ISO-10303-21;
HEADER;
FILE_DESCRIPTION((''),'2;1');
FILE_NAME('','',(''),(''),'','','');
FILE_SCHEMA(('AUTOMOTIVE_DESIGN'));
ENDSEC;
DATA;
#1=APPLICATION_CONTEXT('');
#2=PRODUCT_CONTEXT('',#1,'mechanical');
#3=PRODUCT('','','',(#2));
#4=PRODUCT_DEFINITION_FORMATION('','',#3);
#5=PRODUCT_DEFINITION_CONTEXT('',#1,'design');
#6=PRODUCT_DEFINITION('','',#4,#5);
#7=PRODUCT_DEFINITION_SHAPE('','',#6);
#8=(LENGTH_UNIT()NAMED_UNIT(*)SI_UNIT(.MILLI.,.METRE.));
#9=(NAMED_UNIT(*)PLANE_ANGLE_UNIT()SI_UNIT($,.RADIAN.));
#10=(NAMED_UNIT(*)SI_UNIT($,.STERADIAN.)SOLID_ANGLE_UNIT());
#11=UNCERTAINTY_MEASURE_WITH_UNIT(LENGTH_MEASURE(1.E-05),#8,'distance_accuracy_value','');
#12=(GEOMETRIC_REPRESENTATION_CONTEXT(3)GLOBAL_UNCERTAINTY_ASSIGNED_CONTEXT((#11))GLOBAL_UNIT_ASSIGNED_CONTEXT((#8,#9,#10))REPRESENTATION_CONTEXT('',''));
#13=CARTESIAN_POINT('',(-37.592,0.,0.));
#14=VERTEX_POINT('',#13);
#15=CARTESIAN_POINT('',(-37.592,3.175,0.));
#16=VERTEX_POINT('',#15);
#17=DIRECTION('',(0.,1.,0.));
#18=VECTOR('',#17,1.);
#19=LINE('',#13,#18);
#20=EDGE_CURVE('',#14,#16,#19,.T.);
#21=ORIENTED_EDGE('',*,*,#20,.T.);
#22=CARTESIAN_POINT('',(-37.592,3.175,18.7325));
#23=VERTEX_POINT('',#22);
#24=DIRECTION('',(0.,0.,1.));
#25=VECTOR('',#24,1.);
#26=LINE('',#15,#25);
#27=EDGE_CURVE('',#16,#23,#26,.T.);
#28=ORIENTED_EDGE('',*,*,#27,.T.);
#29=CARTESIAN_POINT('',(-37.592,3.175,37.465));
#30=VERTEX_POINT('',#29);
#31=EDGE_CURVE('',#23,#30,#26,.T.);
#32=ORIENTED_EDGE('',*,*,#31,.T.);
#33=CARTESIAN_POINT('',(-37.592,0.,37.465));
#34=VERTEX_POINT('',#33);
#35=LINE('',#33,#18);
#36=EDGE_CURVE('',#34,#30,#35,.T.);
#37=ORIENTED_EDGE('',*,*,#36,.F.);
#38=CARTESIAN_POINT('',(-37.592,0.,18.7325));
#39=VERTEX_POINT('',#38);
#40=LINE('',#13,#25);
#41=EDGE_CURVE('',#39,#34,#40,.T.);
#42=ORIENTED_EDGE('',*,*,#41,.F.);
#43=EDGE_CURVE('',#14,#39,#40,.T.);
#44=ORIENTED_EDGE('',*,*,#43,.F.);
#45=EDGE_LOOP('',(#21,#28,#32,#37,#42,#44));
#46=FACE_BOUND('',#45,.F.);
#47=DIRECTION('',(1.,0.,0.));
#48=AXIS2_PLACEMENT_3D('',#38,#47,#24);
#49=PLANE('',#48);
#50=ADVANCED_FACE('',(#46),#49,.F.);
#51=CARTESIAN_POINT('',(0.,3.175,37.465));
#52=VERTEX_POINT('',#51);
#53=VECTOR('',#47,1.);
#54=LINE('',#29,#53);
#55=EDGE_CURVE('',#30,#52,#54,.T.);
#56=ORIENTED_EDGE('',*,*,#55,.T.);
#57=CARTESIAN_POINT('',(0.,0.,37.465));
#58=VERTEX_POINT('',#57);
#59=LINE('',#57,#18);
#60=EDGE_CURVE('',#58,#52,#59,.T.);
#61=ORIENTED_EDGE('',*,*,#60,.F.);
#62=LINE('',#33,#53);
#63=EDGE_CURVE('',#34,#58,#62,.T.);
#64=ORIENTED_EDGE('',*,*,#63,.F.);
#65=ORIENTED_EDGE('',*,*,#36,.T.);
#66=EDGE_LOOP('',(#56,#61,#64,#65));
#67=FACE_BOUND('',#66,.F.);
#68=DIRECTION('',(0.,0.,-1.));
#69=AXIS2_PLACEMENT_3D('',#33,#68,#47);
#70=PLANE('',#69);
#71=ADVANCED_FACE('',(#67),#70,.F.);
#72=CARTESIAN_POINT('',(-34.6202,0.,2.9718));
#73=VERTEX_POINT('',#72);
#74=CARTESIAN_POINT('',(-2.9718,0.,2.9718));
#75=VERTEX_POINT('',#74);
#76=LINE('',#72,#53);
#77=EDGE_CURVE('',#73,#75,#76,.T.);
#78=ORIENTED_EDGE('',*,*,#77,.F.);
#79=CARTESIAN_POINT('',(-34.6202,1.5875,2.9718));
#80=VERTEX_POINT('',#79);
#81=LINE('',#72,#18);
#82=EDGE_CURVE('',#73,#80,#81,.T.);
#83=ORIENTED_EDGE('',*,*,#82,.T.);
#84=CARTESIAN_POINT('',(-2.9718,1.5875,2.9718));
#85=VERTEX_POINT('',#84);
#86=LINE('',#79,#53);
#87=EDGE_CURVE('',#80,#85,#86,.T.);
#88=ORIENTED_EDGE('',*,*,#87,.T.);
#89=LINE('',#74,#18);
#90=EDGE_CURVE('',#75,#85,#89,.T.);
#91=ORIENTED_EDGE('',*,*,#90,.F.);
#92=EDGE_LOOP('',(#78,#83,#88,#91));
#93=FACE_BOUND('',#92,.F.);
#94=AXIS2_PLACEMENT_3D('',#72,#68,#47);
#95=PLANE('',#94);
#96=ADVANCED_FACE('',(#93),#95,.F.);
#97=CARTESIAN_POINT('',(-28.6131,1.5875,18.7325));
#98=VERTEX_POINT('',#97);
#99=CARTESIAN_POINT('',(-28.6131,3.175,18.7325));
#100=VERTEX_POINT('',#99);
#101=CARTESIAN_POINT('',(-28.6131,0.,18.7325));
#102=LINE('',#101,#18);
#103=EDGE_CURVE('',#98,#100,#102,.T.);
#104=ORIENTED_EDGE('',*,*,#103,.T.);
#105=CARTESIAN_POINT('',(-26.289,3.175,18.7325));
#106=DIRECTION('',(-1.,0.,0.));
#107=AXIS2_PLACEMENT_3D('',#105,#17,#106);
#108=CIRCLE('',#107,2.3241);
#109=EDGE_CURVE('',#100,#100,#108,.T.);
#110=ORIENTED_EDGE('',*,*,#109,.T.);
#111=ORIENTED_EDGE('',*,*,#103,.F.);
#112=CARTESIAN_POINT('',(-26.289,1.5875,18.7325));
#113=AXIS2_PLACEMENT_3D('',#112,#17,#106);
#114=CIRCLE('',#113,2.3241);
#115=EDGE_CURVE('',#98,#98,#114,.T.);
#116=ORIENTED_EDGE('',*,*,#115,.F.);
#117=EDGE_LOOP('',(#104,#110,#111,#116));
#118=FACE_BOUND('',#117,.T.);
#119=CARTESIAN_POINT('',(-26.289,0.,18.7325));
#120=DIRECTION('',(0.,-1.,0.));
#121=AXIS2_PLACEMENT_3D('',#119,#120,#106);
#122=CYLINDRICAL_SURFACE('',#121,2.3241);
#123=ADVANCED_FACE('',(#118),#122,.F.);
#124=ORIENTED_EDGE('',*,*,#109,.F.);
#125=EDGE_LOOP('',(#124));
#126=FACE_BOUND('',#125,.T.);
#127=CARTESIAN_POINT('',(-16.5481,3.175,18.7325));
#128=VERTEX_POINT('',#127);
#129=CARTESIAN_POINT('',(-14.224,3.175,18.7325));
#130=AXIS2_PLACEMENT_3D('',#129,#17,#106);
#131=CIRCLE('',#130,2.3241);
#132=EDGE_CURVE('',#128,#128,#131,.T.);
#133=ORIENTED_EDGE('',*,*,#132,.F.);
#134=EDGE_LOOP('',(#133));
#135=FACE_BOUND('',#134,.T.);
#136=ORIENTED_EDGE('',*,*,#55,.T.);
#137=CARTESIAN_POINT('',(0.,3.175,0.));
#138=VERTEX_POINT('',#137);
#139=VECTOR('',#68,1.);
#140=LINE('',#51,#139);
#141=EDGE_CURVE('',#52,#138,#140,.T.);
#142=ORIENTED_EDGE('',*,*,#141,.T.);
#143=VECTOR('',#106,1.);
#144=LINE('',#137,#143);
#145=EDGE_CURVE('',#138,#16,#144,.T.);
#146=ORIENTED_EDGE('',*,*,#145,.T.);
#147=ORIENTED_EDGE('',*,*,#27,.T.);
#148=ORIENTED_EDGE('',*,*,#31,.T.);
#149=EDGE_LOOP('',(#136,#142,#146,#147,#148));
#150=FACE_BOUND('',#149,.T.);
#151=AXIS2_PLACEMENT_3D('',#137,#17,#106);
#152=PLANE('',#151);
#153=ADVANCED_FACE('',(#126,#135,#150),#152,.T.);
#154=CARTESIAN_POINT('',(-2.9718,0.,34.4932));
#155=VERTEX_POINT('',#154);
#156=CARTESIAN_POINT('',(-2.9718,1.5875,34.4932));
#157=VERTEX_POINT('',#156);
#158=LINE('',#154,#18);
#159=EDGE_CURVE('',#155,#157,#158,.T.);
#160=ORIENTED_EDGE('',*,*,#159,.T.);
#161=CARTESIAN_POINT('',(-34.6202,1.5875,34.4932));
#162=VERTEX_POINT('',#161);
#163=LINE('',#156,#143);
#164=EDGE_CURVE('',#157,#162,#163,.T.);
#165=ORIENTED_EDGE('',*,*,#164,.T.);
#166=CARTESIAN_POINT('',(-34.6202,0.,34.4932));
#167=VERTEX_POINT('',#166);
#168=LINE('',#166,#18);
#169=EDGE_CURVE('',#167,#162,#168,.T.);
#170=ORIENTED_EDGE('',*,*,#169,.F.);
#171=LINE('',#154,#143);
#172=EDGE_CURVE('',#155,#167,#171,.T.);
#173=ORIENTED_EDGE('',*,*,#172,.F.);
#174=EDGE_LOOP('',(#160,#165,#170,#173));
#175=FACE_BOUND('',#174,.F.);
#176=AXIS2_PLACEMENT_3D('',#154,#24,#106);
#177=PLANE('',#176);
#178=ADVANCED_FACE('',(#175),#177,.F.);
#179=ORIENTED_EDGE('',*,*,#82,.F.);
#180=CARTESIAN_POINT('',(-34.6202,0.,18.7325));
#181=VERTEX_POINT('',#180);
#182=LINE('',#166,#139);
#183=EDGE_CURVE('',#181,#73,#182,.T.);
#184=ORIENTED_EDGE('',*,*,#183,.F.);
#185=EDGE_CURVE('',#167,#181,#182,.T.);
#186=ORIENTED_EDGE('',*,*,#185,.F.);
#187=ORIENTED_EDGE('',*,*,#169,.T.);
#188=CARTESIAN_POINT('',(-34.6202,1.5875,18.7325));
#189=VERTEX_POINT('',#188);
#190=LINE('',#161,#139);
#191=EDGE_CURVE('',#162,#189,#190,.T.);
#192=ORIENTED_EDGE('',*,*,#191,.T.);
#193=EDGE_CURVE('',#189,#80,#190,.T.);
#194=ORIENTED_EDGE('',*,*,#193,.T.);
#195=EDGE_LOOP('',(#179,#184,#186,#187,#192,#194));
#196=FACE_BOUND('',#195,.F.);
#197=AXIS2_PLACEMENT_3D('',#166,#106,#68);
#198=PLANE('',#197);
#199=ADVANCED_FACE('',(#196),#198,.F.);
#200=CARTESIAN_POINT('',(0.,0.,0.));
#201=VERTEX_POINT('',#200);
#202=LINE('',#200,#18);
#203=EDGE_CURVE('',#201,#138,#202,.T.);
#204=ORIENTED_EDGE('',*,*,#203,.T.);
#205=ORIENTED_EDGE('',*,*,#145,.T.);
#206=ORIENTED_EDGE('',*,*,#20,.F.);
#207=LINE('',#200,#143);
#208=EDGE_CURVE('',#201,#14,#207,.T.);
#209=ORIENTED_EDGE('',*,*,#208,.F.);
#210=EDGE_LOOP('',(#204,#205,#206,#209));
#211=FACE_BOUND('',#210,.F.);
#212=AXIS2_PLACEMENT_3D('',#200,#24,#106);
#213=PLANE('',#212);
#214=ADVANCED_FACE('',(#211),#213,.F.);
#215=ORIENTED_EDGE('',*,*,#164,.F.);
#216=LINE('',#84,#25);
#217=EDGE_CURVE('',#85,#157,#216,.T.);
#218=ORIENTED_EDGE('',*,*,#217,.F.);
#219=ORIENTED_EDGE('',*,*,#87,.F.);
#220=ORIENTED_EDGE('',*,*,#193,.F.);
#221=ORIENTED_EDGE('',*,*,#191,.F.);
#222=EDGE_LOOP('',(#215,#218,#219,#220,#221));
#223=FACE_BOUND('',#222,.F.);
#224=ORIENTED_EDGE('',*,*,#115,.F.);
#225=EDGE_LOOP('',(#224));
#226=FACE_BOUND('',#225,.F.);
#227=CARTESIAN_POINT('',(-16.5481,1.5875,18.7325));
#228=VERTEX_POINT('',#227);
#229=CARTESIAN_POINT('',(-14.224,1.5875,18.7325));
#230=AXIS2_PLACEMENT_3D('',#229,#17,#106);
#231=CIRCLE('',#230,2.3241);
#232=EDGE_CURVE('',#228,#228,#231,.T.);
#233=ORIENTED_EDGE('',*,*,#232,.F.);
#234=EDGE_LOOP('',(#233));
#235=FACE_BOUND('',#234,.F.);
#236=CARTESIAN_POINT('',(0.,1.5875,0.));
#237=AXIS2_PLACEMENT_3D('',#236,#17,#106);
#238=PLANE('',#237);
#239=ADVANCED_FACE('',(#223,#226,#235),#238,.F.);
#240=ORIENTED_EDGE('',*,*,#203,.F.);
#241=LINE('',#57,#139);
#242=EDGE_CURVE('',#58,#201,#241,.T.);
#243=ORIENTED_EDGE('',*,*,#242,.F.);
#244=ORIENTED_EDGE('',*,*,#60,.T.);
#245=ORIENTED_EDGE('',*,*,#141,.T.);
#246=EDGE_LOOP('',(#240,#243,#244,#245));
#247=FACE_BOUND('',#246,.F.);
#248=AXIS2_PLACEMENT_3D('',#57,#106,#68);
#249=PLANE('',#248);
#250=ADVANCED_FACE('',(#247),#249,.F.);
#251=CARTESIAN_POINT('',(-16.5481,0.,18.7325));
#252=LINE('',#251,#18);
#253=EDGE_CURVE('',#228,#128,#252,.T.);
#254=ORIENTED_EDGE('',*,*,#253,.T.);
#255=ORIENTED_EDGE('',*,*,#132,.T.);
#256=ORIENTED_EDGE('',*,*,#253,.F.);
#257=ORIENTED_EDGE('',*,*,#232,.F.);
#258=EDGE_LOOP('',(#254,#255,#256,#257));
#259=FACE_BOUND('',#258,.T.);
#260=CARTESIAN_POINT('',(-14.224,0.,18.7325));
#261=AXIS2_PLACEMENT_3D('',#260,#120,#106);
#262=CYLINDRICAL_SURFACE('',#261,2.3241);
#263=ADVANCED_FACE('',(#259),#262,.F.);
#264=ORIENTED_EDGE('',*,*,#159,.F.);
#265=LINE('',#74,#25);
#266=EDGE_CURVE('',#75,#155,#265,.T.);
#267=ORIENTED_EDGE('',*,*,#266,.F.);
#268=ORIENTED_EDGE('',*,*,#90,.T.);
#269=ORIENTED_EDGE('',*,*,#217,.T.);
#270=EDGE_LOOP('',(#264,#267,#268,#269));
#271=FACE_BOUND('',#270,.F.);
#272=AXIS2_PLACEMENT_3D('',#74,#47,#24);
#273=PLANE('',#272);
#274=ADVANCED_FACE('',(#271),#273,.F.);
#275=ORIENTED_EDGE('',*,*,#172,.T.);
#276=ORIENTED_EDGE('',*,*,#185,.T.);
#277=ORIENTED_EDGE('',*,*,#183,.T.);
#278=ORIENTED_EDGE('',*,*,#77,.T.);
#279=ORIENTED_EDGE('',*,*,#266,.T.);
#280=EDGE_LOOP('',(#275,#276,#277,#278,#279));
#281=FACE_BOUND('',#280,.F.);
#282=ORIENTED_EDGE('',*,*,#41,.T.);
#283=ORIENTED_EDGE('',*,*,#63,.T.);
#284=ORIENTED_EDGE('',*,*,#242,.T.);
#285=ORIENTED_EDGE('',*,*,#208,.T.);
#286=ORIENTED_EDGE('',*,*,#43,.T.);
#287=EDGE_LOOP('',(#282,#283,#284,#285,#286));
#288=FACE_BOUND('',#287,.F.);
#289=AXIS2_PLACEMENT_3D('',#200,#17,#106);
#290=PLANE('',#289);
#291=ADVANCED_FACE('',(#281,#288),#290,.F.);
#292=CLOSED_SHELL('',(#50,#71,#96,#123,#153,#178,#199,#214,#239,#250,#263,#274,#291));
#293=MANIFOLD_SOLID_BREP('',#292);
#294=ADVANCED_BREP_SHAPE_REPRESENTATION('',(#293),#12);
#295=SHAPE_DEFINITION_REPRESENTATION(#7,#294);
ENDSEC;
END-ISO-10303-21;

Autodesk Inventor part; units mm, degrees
ref_plane "YZ Plane" through (0, 0, 0) normal (1, 0, 0) x (0, 1, 0)
ref_plane "XZ Plane" through (0, 0, 0) normal (0, 1, 0) x (-1, 0, 0)
ref_plane "XY Plane" through (0, 0, 0) normal (0, 0, 1) x (1, 0, 0)
sketch "Sketch1" plane through (0, 0, 0) normal (0, 1, 0) x (-1, 0, 0)
  line L0 (0, 0) -> (37.592, 0)
  line L1 (37.592, 0) -> (37.592, 37.465)
  line L2 (37.592, 37.465) -> (0, 37.465)
  line L3 (0, 37.465) -> (0, 0)
  line L4 (37.592, 18.7325) -> (26.289, 18.7325)
  line L5 (37.592, 18.7325) -> (48.895, 18.7325) construction
  circle A0 centre (26.289, 18.7325) radius 2.3241
  circle A1 centre (14.224, 18.7325) radius 2.3241
  line L6 (34.6202, 34.4932) -> (34.6202, 2.9718)
  line L7 (34.6202, 2.9718) -> (2.9718, 2.9718)
  line L8 (2.9718, 2.9718) -> (2.9718, 34.4932)
  line L9 (2.9718, 34.4932) -> (34.6202, 34.4932)
  dimension "d0" = 37.592
  dimension "d1" = 37.465
  dimension "d2" = 11.303
  dimension "d3" = 180
  dimension "d4" = 4.6482
  dimension "d7" = 12.065
  dimension "d14" = 2.9718
extrude "Extrusion1" add sketch "Sketch1" along normal blind 3.175 contours L6 L7 L8 L9 | L3 L2 L1 L0
extrude "Extrusion2" cut sketch "Sketch1" along normal blind 1.5875 contours L6 L7 L8 L9
properties part number "gps sensor holder"
